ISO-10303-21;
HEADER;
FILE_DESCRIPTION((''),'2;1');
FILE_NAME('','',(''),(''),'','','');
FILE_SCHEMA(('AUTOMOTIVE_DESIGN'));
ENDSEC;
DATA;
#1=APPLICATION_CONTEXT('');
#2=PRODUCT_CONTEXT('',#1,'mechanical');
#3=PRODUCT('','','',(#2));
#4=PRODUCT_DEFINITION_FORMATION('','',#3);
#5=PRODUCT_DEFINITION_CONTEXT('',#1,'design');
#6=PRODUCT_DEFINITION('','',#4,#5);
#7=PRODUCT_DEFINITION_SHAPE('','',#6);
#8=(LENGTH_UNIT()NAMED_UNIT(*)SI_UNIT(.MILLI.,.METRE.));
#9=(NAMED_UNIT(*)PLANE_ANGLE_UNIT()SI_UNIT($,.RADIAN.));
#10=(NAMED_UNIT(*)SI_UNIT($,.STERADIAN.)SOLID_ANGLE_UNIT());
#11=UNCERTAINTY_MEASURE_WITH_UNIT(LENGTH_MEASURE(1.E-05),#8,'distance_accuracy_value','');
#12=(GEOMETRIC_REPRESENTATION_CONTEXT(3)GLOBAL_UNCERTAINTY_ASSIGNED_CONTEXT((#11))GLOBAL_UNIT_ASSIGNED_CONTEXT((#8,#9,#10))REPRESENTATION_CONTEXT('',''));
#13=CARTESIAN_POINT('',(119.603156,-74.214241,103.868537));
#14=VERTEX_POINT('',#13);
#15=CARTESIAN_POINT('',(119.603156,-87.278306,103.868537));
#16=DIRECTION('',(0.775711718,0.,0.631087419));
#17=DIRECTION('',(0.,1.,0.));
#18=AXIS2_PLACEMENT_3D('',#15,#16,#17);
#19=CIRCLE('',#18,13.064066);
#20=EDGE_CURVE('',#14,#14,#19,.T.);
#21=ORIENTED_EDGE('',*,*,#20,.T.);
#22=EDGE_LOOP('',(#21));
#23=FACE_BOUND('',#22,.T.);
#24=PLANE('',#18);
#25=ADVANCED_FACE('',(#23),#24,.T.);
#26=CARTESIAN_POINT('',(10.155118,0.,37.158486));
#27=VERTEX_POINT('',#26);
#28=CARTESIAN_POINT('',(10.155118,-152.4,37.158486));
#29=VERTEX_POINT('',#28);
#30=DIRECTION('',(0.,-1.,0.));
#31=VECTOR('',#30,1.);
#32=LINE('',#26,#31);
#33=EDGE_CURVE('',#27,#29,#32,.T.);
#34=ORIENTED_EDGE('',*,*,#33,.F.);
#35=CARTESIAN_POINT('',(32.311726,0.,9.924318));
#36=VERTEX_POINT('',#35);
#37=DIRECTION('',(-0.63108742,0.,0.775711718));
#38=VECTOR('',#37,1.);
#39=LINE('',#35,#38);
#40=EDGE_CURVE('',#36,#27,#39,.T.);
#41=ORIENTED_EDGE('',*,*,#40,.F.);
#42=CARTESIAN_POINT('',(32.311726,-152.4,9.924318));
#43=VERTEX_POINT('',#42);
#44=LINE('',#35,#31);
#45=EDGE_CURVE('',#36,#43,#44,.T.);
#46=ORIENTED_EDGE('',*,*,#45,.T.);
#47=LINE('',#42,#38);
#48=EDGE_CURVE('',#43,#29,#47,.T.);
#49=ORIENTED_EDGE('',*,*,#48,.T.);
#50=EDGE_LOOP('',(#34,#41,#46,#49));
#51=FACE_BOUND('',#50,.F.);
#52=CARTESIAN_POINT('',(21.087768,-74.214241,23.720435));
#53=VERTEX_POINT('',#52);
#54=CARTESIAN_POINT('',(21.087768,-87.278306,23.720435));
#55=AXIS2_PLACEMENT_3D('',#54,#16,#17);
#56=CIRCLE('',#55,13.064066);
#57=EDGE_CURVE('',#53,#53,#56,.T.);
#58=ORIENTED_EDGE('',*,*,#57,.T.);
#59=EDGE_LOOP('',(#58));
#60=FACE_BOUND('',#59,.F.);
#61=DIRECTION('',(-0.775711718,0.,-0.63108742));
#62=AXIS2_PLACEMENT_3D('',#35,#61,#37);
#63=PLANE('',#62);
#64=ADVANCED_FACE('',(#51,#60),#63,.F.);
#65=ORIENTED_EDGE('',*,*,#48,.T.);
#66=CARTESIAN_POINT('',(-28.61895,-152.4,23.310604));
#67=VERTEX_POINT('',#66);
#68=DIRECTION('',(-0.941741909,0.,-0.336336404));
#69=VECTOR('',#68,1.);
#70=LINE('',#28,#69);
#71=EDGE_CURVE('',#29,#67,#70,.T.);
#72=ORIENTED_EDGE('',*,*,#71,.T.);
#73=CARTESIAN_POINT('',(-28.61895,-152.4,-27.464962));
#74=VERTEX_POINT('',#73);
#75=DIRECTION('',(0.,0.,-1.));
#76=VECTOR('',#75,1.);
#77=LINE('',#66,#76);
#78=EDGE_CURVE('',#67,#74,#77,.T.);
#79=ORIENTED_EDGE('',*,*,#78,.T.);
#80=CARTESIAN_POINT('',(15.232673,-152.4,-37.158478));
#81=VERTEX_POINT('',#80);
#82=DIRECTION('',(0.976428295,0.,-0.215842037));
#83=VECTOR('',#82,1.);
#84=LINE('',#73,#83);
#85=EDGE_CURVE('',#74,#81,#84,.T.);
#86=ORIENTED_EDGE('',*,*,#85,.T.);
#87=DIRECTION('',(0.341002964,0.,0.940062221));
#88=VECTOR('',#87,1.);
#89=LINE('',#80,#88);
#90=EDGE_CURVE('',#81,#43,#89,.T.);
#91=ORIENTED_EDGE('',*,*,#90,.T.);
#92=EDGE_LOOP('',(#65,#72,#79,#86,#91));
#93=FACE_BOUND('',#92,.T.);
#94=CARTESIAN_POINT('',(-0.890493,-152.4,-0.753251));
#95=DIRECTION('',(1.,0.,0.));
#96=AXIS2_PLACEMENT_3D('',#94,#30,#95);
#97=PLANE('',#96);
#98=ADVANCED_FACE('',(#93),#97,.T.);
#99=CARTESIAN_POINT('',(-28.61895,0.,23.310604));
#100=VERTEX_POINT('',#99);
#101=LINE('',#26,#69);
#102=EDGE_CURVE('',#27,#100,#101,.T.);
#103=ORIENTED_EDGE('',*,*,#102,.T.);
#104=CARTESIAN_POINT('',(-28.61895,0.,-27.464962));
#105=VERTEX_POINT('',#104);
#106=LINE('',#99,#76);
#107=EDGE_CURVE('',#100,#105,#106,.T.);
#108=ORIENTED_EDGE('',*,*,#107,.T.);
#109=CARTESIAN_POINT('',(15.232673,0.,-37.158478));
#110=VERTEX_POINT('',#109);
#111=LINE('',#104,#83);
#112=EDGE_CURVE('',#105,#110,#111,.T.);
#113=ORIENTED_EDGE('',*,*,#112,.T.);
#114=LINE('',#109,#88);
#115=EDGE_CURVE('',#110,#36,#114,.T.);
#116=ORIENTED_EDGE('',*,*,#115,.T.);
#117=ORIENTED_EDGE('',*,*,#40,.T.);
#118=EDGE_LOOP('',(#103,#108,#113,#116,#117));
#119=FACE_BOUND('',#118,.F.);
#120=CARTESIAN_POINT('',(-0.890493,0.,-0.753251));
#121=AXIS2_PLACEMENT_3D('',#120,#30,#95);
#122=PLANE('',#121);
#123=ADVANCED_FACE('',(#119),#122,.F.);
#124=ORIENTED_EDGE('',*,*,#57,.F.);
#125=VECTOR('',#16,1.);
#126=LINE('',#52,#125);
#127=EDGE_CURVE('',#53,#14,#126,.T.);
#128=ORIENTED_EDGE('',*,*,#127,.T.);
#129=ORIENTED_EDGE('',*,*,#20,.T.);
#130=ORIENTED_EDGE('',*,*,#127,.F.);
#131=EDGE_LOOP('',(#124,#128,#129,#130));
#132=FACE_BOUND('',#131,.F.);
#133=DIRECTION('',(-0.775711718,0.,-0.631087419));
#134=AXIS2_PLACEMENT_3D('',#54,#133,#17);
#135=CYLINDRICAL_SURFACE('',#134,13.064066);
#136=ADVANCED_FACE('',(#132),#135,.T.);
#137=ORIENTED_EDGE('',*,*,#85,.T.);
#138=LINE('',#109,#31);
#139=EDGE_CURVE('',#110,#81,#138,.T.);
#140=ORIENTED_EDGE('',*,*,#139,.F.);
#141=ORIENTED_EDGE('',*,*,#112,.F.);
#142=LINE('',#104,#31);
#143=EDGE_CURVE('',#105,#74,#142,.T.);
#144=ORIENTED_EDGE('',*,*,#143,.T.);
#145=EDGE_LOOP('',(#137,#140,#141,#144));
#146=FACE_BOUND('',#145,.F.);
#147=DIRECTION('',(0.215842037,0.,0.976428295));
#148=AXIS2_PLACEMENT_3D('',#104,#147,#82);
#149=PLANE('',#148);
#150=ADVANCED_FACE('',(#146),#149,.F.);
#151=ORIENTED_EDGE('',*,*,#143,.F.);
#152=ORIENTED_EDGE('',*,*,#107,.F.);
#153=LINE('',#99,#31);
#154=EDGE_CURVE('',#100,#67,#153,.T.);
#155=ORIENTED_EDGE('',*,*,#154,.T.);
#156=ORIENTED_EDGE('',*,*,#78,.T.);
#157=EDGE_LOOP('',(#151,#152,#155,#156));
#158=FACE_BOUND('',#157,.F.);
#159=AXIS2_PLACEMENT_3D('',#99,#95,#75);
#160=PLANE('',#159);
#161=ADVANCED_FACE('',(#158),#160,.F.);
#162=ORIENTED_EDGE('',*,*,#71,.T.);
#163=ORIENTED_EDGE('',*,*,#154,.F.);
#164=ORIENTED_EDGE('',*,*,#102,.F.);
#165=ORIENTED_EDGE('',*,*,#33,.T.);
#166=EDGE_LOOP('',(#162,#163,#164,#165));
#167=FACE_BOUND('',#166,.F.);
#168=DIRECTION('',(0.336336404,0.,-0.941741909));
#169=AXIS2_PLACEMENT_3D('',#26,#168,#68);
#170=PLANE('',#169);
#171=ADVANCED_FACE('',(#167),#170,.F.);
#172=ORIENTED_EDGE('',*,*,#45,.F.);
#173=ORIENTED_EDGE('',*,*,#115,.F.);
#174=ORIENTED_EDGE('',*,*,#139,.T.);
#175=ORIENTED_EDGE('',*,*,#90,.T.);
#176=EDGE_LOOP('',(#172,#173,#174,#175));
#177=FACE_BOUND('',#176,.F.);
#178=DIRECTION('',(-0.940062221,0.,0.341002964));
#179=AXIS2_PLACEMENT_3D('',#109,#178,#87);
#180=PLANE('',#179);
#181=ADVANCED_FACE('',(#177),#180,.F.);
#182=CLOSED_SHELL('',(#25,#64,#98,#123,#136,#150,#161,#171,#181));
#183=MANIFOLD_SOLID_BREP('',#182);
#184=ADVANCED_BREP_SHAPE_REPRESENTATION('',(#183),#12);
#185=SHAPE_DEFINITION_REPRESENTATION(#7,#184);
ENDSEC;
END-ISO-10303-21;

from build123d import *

# Parameters (mm, degrees)
F1_DEPTH = 152.4
F2_R     = 13.0640656829
F3_DEPTH = 127


with BuildPart() as f1:
    # F0 (on Front) → F1 (new body)
    with BuildSketch(Plane.XZ):
        Polygon((-28.6189503968, 23.3106035739), (-28.6189503968, -27.4649616331), (15.2326729149, -37.1584780514), (32.3117263615, 9.9243177101), (10.1551180705, 37.158485502), align=None)
    extrude(amount=F1_DEPTH)

    # F2 (on face) → F3 (join)
    with BuildSketch(Plane(origin=(24.3012615032, 0, 19.77051534), x_dir=(0, 1, 0), z_dir=(0.7757117177, 0, 0.6310874195))):
        with Locations((-87.2783064842, 5.0919940695)):
            Circle(F2_R)
    extrude(amount=F3_DEPTH)


solid = f1.part
